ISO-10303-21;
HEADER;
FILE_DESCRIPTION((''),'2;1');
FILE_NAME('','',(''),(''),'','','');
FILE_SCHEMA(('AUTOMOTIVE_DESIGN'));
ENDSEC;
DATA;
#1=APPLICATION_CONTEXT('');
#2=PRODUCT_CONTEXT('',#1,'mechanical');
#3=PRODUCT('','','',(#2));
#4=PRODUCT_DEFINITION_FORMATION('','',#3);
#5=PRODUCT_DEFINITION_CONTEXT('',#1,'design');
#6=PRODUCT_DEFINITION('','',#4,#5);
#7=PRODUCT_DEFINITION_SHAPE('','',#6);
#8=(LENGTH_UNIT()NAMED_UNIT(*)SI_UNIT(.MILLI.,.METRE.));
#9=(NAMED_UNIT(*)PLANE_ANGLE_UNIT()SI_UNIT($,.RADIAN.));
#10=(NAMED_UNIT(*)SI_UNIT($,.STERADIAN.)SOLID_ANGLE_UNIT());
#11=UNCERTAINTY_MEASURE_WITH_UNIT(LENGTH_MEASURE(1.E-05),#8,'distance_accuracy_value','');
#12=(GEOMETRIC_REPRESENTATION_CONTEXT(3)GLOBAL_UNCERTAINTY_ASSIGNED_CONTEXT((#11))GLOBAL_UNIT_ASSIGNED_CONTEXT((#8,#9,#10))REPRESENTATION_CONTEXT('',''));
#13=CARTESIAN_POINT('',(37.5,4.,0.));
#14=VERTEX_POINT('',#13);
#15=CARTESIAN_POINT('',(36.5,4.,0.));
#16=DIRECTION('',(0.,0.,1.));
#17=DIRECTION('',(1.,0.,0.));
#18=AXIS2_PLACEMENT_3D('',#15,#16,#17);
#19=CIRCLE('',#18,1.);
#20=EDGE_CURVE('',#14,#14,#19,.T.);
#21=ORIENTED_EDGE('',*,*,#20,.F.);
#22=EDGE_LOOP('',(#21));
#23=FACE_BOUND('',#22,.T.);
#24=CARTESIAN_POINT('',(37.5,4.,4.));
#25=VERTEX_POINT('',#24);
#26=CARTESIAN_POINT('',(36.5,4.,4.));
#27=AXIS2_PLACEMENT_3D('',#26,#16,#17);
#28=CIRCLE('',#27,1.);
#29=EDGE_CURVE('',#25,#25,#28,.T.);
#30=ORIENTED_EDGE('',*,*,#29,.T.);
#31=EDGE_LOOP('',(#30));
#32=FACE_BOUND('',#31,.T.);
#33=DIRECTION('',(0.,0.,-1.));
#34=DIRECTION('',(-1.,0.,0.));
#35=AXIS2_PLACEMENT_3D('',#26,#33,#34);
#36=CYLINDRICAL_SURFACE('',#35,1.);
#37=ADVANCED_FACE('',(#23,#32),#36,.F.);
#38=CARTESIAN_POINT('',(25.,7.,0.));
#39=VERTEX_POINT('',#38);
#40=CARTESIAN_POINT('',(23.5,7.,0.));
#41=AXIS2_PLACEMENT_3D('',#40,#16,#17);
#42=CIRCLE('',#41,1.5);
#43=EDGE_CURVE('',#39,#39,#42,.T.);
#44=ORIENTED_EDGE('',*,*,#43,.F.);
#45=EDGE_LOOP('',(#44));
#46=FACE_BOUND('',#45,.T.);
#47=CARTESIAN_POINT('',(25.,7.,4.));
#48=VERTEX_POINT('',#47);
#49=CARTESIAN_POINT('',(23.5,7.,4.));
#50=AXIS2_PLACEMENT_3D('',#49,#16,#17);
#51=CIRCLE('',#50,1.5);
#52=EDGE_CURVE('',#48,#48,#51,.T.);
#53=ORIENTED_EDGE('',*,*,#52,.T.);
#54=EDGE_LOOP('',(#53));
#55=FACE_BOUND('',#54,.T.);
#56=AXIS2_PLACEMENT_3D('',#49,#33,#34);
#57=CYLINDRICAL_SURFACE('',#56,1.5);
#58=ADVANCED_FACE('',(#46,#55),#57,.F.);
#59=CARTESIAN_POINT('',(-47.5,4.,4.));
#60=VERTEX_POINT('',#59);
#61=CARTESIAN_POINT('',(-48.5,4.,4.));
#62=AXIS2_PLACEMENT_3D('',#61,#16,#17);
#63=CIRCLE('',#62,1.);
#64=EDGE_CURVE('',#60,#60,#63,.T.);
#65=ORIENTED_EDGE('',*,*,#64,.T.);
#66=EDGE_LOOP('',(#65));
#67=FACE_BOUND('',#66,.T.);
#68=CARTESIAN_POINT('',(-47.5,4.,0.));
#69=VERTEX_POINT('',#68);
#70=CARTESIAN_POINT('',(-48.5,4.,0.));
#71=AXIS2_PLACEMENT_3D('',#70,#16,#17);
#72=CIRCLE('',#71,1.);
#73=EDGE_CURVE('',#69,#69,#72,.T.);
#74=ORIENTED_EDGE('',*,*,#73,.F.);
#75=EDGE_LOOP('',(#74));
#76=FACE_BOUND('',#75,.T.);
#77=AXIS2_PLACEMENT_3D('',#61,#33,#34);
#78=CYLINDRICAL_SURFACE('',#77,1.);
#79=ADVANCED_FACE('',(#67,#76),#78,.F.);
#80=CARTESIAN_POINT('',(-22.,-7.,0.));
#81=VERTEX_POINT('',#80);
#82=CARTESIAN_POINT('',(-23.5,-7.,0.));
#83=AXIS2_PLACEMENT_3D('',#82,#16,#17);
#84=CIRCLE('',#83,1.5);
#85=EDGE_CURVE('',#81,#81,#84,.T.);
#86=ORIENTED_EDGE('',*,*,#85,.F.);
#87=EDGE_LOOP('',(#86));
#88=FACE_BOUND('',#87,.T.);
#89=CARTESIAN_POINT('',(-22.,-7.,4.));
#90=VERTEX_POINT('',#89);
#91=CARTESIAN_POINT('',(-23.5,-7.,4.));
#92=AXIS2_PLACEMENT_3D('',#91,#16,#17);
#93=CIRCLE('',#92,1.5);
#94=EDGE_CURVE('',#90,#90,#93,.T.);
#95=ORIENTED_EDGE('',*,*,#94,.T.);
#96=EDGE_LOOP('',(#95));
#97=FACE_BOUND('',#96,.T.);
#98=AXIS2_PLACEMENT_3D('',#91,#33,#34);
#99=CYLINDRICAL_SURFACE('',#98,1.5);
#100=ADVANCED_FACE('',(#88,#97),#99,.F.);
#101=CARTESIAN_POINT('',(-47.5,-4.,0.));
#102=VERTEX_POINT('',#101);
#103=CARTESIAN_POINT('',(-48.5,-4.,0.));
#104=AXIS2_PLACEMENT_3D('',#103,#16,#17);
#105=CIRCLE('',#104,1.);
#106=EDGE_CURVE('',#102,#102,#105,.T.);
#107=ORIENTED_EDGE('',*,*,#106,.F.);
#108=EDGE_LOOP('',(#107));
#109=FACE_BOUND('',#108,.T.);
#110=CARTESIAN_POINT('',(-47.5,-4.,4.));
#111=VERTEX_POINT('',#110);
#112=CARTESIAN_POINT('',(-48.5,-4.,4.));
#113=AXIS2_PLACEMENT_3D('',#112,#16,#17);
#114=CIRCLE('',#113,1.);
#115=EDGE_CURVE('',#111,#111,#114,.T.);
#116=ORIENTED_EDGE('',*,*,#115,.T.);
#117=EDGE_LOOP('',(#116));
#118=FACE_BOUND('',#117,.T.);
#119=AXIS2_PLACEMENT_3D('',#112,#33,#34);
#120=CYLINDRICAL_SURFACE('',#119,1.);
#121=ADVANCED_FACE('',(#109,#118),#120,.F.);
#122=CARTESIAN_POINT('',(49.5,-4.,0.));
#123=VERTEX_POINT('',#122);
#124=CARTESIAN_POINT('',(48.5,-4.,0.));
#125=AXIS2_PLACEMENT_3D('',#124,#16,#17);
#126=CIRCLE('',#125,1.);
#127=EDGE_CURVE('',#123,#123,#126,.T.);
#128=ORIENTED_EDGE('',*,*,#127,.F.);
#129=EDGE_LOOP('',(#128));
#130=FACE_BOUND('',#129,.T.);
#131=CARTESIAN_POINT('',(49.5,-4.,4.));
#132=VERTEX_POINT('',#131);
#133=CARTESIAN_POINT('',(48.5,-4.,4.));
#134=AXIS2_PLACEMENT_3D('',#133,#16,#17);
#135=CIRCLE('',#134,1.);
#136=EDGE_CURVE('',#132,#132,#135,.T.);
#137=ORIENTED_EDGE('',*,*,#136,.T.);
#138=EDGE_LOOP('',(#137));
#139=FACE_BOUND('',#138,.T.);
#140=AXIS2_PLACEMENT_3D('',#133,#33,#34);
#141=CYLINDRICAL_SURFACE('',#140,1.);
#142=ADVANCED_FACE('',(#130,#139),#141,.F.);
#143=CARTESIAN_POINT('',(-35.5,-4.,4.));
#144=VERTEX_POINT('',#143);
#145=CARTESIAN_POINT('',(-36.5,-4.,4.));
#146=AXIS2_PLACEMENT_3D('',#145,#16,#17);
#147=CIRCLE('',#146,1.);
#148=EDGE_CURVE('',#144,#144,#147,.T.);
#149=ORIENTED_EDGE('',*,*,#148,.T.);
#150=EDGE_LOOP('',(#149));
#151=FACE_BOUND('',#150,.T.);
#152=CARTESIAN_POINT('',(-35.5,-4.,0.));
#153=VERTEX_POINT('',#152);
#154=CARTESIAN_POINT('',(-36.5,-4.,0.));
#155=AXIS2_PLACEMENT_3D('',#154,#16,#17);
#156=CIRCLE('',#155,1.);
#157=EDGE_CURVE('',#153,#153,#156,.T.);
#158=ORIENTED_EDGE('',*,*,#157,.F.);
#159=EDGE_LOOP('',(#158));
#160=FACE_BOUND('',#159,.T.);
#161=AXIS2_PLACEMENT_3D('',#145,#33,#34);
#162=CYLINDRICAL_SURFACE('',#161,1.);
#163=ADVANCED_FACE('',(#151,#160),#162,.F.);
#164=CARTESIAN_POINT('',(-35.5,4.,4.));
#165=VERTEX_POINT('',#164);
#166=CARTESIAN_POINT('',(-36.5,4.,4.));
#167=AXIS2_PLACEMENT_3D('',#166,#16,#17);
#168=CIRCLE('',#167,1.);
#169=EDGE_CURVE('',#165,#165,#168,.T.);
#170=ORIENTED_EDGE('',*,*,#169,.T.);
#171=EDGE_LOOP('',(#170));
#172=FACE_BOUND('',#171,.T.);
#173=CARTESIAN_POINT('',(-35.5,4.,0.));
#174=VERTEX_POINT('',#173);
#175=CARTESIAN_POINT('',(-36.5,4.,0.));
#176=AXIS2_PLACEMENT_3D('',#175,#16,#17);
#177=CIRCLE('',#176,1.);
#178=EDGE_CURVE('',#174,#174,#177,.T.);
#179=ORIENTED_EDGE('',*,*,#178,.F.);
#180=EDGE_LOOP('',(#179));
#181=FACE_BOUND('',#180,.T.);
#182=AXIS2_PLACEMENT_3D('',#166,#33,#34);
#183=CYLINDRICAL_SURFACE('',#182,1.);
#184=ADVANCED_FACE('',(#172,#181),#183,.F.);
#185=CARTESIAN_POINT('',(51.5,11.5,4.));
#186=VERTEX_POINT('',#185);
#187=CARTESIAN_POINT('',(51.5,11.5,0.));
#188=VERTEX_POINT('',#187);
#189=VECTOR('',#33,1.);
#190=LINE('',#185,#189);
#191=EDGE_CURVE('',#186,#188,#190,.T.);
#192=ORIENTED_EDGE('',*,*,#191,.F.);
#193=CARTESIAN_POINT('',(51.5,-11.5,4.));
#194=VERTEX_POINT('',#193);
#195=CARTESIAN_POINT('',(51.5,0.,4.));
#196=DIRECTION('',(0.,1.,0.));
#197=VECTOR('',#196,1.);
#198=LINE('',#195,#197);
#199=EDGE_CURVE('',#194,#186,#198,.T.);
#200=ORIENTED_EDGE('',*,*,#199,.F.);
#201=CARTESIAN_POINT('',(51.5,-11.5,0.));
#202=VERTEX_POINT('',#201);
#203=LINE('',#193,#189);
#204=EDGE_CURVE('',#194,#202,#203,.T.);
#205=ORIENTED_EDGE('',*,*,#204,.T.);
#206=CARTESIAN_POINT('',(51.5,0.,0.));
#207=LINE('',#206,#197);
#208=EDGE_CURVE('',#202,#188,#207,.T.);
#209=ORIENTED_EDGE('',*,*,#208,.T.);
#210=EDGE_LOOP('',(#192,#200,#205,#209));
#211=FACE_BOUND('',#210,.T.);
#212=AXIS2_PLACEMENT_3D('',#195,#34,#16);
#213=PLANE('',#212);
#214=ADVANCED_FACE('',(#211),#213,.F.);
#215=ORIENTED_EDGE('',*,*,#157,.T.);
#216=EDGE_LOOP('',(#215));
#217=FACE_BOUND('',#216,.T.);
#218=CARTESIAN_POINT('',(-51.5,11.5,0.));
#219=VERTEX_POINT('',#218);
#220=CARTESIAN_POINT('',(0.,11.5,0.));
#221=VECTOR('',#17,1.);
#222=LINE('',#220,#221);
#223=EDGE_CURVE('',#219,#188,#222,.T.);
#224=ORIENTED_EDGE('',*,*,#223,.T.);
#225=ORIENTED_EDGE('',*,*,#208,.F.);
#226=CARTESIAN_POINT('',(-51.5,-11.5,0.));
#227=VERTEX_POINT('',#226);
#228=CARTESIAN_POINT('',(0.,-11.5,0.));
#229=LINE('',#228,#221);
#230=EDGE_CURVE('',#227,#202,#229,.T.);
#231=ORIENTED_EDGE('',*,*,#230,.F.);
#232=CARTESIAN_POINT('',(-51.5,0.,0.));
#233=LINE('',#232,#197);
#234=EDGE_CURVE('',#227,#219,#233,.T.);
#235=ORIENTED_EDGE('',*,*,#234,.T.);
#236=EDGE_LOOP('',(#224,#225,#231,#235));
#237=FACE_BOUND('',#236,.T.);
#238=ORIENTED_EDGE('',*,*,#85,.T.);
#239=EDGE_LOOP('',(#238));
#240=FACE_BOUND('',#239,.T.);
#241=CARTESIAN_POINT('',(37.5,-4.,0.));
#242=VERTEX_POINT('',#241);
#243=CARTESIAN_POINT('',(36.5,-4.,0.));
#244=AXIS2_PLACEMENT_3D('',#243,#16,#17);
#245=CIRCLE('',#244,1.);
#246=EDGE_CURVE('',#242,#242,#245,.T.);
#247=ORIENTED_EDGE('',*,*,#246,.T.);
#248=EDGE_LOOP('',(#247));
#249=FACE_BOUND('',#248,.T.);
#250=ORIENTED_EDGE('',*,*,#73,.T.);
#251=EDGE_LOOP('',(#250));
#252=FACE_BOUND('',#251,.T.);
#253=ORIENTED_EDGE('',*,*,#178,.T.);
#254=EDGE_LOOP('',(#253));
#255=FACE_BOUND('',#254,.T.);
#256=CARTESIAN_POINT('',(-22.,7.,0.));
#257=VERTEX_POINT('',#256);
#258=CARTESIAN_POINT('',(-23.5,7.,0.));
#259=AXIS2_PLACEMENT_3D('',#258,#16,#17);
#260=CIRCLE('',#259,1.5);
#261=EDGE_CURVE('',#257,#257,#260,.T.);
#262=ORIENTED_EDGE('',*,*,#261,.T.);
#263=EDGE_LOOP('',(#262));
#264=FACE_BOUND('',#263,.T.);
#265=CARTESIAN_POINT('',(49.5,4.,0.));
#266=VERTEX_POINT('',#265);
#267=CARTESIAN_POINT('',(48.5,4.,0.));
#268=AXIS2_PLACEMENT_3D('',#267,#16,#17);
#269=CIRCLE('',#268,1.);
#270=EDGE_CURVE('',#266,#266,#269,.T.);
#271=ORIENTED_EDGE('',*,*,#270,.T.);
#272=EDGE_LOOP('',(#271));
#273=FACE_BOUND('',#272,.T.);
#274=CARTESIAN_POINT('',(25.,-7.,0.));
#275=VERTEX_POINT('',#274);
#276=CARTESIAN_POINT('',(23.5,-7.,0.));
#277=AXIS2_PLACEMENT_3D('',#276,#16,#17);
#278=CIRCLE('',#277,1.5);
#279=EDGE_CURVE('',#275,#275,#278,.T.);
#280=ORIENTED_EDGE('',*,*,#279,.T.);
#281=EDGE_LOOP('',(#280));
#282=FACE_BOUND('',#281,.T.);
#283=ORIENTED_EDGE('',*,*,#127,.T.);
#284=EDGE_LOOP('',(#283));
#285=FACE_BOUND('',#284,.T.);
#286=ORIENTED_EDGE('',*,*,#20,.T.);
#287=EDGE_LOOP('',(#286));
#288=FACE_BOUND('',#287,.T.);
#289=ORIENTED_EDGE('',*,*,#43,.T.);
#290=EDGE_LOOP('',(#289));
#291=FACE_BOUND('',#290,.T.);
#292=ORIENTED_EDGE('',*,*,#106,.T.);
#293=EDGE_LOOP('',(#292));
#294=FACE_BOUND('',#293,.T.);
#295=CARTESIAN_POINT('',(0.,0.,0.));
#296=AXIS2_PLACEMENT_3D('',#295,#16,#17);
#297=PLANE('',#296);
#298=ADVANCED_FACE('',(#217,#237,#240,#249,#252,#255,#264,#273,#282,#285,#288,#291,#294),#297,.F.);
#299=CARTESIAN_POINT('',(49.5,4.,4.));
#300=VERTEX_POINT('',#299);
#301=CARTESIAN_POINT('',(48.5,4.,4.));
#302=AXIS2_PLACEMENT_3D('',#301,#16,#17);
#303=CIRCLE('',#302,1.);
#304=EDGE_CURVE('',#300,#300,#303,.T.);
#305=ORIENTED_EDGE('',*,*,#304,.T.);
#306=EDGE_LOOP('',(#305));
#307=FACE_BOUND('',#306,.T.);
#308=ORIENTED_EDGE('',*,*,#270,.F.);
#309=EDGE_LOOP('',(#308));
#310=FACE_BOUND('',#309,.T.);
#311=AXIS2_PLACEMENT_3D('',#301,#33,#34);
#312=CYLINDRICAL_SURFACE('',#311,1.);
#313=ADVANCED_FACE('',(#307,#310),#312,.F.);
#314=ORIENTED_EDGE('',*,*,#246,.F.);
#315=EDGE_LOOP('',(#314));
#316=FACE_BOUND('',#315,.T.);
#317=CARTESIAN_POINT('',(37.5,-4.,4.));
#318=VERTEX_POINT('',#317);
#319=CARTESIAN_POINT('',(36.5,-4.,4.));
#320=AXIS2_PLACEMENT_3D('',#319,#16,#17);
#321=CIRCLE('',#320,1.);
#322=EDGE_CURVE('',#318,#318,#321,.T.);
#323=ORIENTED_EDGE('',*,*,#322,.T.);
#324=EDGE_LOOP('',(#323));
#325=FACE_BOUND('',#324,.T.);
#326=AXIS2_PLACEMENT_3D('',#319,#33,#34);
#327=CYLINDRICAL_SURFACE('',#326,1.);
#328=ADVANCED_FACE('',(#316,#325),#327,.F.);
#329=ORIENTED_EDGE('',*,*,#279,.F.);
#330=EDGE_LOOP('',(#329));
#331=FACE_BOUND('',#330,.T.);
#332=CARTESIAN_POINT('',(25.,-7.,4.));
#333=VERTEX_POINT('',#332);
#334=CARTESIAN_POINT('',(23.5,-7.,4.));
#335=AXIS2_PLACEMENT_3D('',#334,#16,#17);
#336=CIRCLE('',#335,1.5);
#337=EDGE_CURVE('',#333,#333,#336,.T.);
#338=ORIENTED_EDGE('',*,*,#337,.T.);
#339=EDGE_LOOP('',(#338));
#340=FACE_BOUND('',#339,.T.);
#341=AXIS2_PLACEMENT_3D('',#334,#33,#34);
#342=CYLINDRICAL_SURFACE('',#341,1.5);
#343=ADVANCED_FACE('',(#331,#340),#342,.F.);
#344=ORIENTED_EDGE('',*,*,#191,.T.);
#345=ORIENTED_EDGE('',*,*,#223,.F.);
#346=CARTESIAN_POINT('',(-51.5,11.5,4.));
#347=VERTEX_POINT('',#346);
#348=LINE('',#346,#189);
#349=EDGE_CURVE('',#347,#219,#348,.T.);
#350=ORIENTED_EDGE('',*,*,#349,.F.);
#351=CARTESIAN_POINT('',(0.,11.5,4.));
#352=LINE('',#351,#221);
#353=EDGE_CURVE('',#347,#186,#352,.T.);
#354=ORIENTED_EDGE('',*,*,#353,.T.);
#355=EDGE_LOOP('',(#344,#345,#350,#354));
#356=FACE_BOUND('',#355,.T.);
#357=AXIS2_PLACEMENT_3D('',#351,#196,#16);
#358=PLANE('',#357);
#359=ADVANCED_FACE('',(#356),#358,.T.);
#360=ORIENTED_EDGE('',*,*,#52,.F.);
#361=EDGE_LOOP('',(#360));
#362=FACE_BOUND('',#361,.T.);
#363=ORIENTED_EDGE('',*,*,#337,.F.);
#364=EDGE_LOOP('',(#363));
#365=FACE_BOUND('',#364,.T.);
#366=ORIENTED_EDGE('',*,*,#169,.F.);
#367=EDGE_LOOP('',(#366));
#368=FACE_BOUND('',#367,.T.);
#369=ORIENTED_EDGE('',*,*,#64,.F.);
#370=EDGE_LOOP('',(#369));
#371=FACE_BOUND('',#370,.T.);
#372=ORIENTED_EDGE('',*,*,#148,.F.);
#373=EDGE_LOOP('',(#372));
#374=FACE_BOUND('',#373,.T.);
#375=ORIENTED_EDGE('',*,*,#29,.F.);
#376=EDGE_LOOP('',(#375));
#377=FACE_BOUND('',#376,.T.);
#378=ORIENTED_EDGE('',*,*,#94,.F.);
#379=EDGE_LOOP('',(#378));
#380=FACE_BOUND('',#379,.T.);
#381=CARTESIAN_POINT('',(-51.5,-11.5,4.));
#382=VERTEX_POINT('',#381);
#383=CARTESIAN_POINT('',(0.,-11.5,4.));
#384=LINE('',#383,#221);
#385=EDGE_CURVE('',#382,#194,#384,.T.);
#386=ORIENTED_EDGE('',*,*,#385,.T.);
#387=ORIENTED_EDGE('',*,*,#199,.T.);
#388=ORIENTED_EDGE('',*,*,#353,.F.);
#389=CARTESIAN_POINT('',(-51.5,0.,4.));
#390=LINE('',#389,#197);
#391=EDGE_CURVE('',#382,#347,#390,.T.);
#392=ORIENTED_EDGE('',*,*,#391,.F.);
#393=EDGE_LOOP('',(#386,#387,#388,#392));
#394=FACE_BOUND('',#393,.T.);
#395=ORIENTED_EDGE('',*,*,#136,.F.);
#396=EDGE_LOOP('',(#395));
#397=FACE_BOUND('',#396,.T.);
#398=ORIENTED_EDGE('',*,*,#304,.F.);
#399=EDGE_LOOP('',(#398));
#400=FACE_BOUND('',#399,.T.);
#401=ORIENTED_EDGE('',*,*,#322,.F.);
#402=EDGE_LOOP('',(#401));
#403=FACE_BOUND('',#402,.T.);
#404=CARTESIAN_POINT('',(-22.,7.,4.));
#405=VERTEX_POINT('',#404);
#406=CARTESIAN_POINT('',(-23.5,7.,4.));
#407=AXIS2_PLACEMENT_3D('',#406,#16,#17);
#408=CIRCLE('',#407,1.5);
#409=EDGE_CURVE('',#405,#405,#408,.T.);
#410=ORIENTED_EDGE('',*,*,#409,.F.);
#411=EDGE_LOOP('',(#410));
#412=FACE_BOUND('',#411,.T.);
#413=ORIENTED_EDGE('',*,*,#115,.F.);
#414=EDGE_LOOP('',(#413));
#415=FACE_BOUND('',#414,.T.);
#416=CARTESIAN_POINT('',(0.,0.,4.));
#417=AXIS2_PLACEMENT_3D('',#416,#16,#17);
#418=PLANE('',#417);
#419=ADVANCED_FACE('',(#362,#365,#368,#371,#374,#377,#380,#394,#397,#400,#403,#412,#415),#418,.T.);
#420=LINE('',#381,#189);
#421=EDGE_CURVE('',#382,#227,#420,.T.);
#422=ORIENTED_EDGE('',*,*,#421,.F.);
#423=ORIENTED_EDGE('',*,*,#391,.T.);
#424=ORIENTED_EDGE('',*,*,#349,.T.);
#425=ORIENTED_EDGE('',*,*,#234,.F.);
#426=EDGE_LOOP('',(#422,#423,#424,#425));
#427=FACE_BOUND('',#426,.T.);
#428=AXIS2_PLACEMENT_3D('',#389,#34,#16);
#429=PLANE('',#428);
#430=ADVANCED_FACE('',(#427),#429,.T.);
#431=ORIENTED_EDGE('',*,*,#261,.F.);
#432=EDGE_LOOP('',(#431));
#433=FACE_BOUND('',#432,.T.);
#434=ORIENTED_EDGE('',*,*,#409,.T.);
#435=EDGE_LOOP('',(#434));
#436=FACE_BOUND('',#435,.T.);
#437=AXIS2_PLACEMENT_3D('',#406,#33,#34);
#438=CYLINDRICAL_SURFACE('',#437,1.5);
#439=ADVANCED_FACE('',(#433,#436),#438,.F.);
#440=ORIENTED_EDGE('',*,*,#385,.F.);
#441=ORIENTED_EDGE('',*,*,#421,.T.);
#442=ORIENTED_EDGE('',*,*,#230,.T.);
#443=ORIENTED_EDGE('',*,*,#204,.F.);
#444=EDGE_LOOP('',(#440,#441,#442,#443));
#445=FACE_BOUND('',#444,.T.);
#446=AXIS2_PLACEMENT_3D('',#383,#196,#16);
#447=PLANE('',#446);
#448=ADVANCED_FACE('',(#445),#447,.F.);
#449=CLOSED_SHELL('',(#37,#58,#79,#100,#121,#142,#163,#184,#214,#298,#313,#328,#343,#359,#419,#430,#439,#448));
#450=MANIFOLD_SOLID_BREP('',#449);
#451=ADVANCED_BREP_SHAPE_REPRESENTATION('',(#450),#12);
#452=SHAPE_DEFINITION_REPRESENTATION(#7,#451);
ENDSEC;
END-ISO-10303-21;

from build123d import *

# Parameters (mm, degrees)
SKETCH_1_W      = 103
SKETCH_1_H      = 23
SKETCH_1_R      = 1.5
SKETCH_1_R_2    = 1
EXTRUDE_1_DEPTH = 4


with BuildPart() as part:
    # 草图1 → 凸台-拉伸1 (new body)
    with BuildSketch(Plane.XY):
        Rectangle(SKETCH_1_W, SKETCH_1_H)
        with Locations((-23.5, 7)):
            Circle(SKETCH_1_R, mode=Mode.SUBTRACT)
        with Locations((-23.5, -7)):
            Circle(SKETCH_1_R, mode=Mode.SUBTRACT)
        with Locations((23.5, 7)):
            Circle(SKETCH_1_R, mode=Mode.SUBTRACT)
        with Locations((23.5, -7)):
            Circle(SKETCH_1_R, mode=Mode.SUBTRACT)
        with Locations((-48.5, 4)):
            Circle(SKETCH_1_R_2, mode=Mode.SUBTRACT)
        with Locations((-36.5, 4)):
            Circle(SKETCH_1_R_2, mode=Mode.SUBTRACT)
        with Locations((-36.5, -4)):
            Circle(SKETCH_1_R_2, mode=Mode.SUBTRACT)
        with Locations((-48.5, -4)):
            Circle(SKETCH_1_R_2, mode=Mode.SUBTRACT)
        with Locations((36.5, 4)):
            Circle(SKETCH_1_R_2, mode=Mode.SUBTRACT)
        with Locations((48.5, 4)):
            Circle(SKETCH_1_R_2, mode=Mode.SUBTRACT)
        with Locations((48.5, -4)):
            Circle(SKETCH_1_R_2, mode=Mode.SUBTRACT)
        with Locations((36.5, -4)):
            Circle(SKETCH_1_R_2, mode=Mode.SUBTRACT)
    extrude(amount=EXTRUDE_1_DEPTH)


solid = part.part
